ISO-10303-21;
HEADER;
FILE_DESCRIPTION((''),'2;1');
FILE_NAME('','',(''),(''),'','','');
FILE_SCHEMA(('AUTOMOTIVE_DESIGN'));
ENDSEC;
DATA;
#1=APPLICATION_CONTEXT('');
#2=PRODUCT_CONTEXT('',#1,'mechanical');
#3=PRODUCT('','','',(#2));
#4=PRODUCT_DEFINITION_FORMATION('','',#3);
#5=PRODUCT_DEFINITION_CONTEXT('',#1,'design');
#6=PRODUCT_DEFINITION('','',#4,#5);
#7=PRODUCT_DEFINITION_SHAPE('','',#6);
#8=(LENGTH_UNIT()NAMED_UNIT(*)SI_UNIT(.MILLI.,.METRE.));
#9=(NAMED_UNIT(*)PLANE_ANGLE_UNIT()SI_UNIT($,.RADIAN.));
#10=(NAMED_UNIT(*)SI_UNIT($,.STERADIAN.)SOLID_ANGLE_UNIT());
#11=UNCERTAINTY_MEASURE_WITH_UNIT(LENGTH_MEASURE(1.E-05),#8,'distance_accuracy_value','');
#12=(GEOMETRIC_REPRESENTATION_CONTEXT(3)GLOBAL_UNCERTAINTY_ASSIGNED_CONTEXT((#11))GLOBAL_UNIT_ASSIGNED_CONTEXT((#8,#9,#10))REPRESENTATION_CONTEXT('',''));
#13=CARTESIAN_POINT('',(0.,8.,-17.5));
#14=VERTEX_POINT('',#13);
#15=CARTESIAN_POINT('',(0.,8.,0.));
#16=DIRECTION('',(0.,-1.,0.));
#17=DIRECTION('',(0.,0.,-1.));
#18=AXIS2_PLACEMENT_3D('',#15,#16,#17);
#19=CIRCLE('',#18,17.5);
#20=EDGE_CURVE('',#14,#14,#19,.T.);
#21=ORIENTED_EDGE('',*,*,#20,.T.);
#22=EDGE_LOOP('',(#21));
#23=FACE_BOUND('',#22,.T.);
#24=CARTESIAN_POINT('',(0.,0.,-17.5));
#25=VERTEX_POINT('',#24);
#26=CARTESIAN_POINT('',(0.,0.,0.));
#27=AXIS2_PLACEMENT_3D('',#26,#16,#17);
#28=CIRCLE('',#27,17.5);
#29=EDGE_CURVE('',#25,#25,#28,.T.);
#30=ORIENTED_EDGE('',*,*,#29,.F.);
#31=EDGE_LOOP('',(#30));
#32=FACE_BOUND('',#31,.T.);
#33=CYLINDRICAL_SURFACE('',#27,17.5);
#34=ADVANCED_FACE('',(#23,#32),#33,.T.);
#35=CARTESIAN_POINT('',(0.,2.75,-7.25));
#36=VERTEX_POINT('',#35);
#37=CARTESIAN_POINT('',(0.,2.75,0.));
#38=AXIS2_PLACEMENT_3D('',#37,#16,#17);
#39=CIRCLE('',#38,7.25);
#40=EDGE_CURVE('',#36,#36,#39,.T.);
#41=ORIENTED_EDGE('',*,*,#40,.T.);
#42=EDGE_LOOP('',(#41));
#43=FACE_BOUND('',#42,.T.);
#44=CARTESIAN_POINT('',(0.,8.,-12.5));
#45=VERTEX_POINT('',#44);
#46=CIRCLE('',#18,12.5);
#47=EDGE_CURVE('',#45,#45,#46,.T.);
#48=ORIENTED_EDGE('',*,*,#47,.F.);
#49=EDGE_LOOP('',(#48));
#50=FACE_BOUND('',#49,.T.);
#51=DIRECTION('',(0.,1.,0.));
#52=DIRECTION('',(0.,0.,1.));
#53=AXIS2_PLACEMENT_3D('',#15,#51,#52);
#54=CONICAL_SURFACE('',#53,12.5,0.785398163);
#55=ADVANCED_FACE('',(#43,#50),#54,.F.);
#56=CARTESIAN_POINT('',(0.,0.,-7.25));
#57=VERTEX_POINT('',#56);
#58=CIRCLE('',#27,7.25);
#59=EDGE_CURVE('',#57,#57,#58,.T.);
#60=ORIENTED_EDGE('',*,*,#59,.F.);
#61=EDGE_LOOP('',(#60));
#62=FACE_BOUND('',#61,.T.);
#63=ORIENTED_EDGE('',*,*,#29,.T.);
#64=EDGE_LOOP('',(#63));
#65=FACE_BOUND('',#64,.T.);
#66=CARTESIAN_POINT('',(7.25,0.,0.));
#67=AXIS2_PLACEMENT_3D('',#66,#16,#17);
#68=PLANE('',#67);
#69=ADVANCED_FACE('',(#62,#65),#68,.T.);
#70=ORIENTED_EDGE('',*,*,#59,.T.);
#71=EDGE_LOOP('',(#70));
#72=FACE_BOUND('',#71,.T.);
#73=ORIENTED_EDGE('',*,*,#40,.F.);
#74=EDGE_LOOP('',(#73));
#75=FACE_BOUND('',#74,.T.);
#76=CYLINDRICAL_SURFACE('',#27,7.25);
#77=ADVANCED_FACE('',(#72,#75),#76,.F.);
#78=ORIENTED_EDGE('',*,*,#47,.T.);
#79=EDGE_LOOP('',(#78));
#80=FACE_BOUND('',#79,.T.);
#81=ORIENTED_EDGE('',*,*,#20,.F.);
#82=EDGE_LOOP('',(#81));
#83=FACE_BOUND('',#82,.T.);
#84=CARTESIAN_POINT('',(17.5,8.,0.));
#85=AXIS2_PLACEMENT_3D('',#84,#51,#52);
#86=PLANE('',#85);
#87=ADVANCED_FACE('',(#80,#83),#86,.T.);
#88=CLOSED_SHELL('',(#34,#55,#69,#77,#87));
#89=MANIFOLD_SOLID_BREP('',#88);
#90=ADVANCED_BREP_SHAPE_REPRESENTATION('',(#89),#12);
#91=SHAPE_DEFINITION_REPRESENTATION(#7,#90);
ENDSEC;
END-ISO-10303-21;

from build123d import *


with BuildPart() as part:
    # Sketch1 → Revolve1 (revolve)
    with BuildSketch(Plane.XY):
        Polygon((7.25, 0), (17.5, 0), (17.5, 8), (12.5, 8), (7.25, 2.75), align=None)
    revolve(axis=Axis((0, 0, 0), (0, 1, 0)))


solid = part.part
